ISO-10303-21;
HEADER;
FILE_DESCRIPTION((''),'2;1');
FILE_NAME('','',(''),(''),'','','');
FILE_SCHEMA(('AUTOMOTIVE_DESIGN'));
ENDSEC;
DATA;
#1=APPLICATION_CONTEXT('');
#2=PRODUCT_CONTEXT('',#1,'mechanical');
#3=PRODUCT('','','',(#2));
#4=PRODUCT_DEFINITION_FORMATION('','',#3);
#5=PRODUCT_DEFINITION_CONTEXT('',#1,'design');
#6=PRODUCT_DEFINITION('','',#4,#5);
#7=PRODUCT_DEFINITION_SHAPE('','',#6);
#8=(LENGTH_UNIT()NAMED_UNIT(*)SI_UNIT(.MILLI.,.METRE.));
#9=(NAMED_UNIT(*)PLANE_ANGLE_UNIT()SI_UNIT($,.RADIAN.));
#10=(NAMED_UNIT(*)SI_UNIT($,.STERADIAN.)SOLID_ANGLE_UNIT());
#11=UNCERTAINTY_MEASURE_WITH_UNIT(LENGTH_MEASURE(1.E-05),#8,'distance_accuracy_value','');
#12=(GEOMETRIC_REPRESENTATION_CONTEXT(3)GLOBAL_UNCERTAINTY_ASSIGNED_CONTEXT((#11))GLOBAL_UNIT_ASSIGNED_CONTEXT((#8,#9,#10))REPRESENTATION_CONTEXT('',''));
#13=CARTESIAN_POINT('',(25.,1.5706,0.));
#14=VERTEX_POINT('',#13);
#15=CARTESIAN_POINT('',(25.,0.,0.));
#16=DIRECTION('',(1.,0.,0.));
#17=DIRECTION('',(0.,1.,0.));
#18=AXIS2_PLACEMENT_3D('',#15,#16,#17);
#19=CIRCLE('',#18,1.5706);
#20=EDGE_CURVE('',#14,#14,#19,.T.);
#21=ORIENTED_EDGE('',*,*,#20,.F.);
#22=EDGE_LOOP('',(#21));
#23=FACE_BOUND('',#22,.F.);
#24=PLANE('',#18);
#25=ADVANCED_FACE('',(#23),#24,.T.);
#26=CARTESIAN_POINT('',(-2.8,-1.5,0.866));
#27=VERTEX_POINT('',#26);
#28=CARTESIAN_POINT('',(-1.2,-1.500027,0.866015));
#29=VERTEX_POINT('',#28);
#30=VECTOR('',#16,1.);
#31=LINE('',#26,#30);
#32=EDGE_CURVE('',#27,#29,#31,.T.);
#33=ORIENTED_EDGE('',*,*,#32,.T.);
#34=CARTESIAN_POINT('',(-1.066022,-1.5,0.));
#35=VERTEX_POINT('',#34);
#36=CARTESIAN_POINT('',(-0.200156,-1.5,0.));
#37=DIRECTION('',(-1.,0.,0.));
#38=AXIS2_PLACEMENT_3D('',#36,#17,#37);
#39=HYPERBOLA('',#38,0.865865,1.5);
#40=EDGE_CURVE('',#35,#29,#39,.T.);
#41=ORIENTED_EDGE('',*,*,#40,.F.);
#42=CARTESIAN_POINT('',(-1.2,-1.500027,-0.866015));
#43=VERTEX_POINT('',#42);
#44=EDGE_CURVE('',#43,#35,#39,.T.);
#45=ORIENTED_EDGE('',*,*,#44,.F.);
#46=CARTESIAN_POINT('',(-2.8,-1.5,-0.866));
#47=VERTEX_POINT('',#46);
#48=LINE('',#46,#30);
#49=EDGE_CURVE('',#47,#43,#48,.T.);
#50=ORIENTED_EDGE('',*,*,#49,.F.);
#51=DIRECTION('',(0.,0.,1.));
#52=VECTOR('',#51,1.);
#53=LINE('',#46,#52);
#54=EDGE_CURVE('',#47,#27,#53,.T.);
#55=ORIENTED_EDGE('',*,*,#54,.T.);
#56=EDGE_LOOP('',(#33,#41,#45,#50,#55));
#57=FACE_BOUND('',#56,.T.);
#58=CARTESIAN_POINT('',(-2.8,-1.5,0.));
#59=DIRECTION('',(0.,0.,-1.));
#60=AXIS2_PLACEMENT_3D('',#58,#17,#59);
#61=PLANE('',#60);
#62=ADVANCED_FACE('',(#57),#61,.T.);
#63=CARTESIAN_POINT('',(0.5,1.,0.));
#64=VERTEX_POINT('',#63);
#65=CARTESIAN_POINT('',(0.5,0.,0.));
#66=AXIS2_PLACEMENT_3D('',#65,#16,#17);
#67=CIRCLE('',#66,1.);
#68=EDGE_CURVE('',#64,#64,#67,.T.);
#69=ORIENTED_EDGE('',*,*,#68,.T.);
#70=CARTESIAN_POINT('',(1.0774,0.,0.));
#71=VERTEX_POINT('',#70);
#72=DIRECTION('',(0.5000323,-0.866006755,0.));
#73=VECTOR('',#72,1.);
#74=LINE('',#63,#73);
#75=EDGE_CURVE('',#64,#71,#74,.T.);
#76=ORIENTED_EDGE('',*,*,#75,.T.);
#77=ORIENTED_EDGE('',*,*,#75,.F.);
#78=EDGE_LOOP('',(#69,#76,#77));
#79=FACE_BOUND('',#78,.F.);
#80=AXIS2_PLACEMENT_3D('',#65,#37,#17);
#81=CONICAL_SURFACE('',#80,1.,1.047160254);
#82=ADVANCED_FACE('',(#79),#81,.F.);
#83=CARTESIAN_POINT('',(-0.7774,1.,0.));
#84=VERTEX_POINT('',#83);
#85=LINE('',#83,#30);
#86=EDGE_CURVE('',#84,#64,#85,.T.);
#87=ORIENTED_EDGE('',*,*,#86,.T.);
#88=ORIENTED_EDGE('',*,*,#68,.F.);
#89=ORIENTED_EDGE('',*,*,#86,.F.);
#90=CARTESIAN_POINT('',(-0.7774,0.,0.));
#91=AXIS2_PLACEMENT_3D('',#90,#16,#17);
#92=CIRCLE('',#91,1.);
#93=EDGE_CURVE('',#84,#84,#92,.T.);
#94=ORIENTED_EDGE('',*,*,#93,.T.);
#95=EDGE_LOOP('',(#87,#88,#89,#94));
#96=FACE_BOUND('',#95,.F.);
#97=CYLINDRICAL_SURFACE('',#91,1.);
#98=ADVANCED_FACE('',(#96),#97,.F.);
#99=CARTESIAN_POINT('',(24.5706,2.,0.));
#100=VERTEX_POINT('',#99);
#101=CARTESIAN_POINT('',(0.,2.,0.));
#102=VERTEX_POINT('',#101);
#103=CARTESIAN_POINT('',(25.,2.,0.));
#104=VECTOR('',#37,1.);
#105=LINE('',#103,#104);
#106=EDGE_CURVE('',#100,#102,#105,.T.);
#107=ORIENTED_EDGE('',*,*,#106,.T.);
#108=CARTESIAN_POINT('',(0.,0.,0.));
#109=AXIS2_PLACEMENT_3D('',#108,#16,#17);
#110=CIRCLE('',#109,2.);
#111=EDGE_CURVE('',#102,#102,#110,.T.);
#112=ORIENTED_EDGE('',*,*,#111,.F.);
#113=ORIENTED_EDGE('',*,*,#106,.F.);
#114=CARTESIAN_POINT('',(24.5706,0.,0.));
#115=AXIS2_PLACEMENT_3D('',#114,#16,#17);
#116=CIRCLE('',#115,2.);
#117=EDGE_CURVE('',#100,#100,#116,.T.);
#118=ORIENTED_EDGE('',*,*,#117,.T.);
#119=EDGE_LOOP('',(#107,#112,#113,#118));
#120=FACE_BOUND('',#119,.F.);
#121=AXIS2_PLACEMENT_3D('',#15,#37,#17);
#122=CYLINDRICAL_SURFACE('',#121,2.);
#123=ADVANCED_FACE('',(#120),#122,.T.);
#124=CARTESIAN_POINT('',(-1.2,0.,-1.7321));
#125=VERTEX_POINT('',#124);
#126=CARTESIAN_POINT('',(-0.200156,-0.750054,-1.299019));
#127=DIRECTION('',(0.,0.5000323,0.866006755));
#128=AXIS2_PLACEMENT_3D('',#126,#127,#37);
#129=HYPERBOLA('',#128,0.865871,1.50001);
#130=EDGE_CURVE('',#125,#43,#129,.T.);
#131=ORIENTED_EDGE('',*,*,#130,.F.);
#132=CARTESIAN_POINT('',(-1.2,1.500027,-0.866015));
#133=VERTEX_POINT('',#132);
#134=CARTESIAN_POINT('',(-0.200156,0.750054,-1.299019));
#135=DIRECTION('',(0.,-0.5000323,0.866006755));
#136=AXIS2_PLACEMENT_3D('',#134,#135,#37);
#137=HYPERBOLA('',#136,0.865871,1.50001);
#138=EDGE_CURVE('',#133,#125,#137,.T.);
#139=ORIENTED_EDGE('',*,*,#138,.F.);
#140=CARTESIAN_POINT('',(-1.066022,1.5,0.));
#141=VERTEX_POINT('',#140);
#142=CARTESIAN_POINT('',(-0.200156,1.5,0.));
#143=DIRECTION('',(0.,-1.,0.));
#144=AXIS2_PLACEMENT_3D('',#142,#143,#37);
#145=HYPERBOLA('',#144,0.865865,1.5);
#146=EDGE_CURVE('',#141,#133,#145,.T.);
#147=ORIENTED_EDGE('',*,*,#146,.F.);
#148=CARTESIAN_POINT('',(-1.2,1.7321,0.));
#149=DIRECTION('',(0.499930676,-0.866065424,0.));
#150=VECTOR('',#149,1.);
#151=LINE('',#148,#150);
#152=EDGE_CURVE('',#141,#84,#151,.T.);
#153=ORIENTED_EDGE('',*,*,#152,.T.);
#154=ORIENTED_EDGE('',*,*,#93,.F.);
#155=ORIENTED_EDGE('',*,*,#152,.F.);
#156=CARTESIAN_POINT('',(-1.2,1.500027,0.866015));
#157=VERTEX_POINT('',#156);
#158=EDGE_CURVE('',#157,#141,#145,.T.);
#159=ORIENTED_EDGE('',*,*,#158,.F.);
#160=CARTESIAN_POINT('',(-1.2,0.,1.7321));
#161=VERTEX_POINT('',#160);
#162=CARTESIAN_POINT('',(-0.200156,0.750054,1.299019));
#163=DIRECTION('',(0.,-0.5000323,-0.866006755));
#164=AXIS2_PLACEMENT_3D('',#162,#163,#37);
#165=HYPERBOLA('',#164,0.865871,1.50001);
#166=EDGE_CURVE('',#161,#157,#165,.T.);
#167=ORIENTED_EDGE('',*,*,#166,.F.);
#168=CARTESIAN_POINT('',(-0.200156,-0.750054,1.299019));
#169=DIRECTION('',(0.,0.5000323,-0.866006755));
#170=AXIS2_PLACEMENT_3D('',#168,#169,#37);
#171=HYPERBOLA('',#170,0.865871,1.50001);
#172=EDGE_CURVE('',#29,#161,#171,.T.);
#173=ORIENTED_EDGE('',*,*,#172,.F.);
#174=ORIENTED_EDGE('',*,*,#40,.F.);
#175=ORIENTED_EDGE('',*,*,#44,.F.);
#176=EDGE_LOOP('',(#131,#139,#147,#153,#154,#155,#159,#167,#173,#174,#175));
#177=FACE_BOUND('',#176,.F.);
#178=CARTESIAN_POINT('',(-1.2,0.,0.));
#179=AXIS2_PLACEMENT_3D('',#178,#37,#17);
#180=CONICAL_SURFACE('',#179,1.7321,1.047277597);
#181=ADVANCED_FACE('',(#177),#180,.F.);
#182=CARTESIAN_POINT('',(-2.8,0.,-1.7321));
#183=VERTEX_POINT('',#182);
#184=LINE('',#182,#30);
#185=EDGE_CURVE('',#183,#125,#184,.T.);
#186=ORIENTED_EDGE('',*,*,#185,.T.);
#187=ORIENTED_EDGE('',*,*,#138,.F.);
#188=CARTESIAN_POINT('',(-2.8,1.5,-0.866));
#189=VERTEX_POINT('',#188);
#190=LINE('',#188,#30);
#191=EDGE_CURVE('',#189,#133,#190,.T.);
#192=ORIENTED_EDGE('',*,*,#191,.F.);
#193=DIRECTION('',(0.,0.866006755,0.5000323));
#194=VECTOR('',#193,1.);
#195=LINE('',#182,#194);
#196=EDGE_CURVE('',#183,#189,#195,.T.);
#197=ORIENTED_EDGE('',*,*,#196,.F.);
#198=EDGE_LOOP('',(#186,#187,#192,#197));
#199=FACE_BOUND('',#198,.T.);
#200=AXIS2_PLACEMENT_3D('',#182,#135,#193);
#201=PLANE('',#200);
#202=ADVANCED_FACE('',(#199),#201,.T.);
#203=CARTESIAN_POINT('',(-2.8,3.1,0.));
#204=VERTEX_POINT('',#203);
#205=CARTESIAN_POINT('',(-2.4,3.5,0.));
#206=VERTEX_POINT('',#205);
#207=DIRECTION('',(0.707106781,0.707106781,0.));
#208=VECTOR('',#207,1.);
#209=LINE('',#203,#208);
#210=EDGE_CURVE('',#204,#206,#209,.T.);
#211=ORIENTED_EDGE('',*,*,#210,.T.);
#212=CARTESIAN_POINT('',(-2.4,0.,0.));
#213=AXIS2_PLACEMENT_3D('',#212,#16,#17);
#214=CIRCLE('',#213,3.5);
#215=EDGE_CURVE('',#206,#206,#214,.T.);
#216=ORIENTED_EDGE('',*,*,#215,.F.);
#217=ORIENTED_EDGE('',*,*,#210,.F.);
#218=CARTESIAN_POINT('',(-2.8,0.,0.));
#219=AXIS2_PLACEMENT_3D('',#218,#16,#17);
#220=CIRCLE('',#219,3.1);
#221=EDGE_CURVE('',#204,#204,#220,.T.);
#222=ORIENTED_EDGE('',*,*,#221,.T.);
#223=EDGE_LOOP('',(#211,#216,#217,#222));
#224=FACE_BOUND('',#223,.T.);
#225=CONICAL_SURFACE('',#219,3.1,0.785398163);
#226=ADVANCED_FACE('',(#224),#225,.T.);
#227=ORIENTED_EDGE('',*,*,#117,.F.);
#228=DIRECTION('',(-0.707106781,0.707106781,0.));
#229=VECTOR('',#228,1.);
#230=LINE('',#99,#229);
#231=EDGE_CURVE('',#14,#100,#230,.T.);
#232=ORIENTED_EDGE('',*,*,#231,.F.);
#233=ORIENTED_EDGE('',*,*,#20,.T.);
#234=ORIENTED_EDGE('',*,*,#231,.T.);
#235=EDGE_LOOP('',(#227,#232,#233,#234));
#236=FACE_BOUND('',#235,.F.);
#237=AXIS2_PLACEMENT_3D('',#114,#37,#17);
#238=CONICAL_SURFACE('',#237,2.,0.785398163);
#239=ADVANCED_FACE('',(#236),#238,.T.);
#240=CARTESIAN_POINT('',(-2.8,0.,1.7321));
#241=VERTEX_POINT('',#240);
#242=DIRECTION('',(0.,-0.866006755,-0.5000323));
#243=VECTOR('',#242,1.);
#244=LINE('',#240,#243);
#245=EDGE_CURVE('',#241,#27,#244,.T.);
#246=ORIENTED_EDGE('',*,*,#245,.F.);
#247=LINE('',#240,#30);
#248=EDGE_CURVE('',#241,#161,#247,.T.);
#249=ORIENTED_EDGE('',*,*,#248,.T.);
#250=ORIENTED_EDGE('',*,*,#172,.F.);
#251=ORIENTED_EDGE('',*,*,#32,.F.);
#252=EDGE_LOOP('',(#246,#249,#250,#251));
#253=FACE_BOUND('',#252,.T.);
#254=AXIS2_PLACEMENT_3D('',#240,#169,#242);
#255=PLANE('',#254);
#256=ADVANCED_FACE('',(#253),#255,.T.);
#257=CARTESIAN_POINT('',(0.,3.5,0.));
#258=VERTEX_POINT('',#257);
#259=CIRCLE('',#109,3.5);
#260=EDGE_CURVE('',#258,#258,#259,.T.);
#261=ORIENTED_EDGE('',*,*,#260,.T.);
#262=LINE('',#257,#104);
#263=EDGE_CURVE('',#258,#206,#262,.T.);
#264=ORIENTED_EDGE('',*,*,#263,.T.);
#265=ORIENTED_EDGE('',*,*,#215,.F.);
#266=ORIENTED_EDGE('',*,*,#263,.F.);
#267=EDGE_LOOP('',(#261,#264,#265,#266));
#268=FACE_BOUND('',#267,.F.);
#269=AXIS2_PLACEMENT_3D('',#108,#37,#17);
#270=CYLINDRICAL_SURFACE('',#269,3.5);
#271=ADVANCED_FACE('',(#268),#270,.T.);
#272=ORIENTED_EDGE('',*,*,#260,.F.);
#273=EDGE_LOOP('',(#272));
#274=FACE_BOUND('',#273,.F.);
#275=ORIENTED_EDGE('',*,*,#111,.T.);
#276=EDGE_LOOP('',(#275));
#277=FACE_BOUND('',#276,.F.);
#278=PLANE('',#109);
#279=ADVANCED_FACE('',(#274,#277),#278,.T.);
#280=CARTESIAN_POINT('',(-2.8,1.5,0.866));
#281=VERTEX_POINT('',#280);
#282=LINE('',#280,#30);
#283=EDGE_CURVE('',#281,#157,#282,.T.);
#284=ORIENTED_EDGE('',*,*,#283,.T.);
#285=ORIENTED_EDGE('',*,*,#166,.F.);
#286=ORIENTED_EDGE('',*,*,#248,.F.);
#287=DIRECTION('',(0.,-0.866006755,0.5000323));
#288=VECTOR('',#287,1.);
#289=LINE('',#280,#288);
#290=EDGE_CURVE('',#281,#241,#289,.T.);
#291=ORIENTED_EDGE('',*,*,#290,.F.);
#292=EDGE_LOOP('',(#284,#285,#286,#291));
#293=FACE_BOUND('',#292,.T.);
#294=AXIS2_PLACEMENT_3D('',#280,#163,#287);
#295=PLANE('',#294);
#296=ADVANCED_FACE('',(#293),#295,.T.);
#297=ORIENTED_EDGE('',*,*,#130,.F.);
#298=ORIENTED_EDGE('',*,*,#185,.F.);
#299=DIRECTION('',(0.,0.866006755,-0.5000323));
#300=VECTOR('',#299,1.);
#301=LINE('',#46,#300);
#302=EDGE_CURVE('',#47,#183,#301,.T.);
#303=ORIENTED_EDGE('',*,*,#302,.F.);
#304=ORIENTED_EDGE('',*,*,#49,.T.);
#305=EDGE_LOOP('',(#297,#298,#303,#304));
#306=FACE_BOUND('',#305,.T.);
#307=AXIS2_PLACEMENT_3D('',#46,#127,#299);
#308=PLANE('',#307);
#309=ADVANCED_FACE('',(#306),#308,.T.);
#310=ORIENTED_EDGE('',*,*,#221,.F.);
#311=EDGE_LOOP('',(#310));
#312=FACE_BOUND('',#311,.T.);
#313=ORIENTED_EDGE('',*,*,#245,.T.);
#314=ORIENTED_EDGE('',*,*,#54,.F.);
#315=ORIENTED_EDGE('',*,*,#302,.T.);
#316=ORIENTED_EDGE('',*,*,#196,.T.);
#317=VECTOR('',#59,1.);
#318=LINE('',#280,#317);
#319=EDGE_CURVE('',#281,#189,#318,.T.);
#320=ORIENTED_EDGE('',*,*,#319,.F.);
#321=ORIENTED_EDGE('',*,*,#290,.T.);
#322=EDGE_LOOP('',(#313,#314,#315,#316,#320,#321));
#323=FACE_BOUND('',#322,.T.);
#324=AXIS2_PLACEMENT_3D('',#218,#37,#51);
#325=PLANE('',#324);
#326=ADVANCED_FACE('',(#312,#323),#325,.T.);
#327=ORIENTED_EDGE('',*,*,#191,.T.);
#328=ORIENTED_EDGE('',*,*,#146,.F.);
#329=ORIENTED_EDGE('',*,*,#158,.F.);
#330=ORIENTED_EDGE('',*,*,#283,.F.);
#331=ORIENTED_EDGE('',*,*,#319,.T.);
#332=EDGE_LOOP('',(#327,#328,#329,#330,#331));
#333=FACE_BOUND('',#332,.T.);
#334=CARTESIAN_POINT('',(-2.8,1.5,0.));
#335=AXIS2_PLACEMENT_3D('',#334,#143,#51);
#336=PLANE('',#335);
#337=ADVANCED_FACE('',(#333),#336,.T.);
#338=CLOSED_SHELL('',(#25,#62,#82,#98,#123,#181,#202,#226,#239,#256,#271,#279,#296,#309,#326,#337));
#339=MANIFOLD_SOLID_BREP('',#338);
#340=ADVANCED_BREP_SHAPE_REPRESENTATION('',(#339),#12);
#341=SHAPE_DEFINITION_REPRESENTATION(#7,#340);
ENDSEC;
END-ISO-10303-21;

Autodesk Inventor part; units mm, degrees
ref_plane "YZ Plane" through (0, 0, 0) normal (1, 0, 0) x (0, 1, 0)
ref_plane "XZ Plane" through (0, 0, 0) normal (0, 1, 0) x (-1, 0, 0)
sketch "Sketch1" plane through (0, 0, 0) normal (0, 0, 1) x (1, 0, 0)
  line L0 (1.0774, 0) -> (25, 0)
  line L1 (25, 0) -> (25, 2)
  line L2 (25, 2) -> (0, 2)
  line L3 (0, 2) -> (0, 3.5)
  line L4 (0, 3.5) -> (-2.8, 3.5)
  line L5 (-2.8, 3.5) -> (-2.8, 1.7321)
  line L6 (-2.8, 1.7321) -> (-1.2, 1.7321)
  line L7 (-1.2, 1.7321) -> (-0.7774, 1)
  line L8 (-8.36, 0) -> (30.56, 0) projected
  line L9 (0, -0.7) -> (0, 4.2) projected
  line L10 (-0.7774, 1) -> (0.5, 1)
  line L11 (0.5, 1) -> (1.0774, 0)
  line L12 (-2.8, 1.7321) -> (-2.8, 0) construction
  line L13 (-2.8, 3.1) -> (-2.4, 3.5)
  dimension "d0" = 2.8
  dimension "d1" = 1.6
  dimension "d2" = 60
  dimension "d3" = 4
  dimension "d4" = 3.4641
  dimension "d5" = 7
  dimension "d15" = 3.3
  dimension "d16" = 2
  dimension "d17" = 25
  dimension "d32" = 45
  dimension "d33" = 0.4
revolve "Body" add sketch "Sketch1" angle 360 about axis through (1.0774, 0, 0) along (1, 0, 0) contours L11 L10 L9 L2 L1 L0 | L10 L7 L6 L5 L13 L4 L3 L9 | L13 L5 L4
revolve "Chamfer2" cut sketch "Sketch1" angle 360 about axis through (-10, 0, 0) along (1, 0, 0) contours L13 L5 L4
sketch "Sketch2" plane through (-2.8, 0, 0) normal (-1, 0, 0) x (0, 0, 1)
  circle A0 centre (0, 0) radius 1.7321 projected
  line L0 (0, -4.9) -> (0, 4.9) projected
  line L1 (-4.9, 0) -> (4.9, 0) projected
  line L2 (1.7321, 0) -> (0.866, -1.5)
  line L3 (0.866, -1.5) -> (-0.866, -1.5)
  line L4 (-0.866, -1.5) -> (-1.7321, 0)
  line L5 (-1.7321, 0) -> (-0.866, 1.5)
  line L6 (-0.866, 1.5) -> (0.866, 1.5)
  line L7 (0.866, 1.5) -> (1.7321, 0)
extrude "Slot" add sketch "Sketch2" against normal up to next contours L7 A0 | A0 L2 | L6 L0 A0 | A0 L0 L3 | L0 L6 A0 | A0 L3 L0 | L4 A0 | A0 L5
thread "Thread" size "M4x0.7" class "6g" standard "ISO Metric profile" length 14
chamfer "Chamfer1" distance 0.4294 distance2 0.4294 1 edges at (25, -2, 0) measured on face at (25, 0.6473, 0.1595)
ref_plane "Work Plane1" through (12.5, 0, 0) normal (0, 0.5, 0.866) x (1, 0, 0)
equation "\"d0\" = KOH"
equation "\"d1\" = INTI"
equation "\"d3\" = GD"
equation "\"d4\" = 1.1547 * SW"
equation "\"d5\" = KOD"
equation "\"d15\" = INFT"
equation "\"d16\" = SDT"
equation "\"d17\" = NLG"
equation "\"d33\" = Cham"
equation "\"d7\" = GEL"
equation "\"d9\" = -0.5 * SPD + 0.5 * GD"
equation "\"d12\" = GUL"
equation "\"GD\" = NND"
equation "\"NLG\" = 25"
equation "\"GEL\" = 14"
equation "\"KOD\" = 7"
equation "\"KOH\" = 2.8"
equation "\"GUL\" = 0.61345 * PTC"
equation "\"SW\" = 3"
equation "\"INTI\" = 1.6"
equation "\"SPD\" = NND - 1.2269 * PTC"
equation "\"SDT\" = 2"
equation "\"INFT\" = 3.3"
equation "\"Cham\" = 0.4"
equation "\"TOA\" = 30deg"
equation "\"GD1\" = THREADDIA - 1.2269 * PTC"
equation "\"THREADDIA\" = 4"
equation "\"BDM\" = NND"
equation "\"FAWI\" = 45deg"
equation "\"RR\" = 0.1 * NND"
equation "\"PTC\" = 0.7"
equation "\"NND\" = 4"
equation "\"FAWI1\" = 45deg"
equation "\"GAL\" = 0.61345 * PTC"
equation "\"E0\" = 1.155 * SW"
properties part number "DIN 6912 - M4 x 25" material "Steel, Mild"
